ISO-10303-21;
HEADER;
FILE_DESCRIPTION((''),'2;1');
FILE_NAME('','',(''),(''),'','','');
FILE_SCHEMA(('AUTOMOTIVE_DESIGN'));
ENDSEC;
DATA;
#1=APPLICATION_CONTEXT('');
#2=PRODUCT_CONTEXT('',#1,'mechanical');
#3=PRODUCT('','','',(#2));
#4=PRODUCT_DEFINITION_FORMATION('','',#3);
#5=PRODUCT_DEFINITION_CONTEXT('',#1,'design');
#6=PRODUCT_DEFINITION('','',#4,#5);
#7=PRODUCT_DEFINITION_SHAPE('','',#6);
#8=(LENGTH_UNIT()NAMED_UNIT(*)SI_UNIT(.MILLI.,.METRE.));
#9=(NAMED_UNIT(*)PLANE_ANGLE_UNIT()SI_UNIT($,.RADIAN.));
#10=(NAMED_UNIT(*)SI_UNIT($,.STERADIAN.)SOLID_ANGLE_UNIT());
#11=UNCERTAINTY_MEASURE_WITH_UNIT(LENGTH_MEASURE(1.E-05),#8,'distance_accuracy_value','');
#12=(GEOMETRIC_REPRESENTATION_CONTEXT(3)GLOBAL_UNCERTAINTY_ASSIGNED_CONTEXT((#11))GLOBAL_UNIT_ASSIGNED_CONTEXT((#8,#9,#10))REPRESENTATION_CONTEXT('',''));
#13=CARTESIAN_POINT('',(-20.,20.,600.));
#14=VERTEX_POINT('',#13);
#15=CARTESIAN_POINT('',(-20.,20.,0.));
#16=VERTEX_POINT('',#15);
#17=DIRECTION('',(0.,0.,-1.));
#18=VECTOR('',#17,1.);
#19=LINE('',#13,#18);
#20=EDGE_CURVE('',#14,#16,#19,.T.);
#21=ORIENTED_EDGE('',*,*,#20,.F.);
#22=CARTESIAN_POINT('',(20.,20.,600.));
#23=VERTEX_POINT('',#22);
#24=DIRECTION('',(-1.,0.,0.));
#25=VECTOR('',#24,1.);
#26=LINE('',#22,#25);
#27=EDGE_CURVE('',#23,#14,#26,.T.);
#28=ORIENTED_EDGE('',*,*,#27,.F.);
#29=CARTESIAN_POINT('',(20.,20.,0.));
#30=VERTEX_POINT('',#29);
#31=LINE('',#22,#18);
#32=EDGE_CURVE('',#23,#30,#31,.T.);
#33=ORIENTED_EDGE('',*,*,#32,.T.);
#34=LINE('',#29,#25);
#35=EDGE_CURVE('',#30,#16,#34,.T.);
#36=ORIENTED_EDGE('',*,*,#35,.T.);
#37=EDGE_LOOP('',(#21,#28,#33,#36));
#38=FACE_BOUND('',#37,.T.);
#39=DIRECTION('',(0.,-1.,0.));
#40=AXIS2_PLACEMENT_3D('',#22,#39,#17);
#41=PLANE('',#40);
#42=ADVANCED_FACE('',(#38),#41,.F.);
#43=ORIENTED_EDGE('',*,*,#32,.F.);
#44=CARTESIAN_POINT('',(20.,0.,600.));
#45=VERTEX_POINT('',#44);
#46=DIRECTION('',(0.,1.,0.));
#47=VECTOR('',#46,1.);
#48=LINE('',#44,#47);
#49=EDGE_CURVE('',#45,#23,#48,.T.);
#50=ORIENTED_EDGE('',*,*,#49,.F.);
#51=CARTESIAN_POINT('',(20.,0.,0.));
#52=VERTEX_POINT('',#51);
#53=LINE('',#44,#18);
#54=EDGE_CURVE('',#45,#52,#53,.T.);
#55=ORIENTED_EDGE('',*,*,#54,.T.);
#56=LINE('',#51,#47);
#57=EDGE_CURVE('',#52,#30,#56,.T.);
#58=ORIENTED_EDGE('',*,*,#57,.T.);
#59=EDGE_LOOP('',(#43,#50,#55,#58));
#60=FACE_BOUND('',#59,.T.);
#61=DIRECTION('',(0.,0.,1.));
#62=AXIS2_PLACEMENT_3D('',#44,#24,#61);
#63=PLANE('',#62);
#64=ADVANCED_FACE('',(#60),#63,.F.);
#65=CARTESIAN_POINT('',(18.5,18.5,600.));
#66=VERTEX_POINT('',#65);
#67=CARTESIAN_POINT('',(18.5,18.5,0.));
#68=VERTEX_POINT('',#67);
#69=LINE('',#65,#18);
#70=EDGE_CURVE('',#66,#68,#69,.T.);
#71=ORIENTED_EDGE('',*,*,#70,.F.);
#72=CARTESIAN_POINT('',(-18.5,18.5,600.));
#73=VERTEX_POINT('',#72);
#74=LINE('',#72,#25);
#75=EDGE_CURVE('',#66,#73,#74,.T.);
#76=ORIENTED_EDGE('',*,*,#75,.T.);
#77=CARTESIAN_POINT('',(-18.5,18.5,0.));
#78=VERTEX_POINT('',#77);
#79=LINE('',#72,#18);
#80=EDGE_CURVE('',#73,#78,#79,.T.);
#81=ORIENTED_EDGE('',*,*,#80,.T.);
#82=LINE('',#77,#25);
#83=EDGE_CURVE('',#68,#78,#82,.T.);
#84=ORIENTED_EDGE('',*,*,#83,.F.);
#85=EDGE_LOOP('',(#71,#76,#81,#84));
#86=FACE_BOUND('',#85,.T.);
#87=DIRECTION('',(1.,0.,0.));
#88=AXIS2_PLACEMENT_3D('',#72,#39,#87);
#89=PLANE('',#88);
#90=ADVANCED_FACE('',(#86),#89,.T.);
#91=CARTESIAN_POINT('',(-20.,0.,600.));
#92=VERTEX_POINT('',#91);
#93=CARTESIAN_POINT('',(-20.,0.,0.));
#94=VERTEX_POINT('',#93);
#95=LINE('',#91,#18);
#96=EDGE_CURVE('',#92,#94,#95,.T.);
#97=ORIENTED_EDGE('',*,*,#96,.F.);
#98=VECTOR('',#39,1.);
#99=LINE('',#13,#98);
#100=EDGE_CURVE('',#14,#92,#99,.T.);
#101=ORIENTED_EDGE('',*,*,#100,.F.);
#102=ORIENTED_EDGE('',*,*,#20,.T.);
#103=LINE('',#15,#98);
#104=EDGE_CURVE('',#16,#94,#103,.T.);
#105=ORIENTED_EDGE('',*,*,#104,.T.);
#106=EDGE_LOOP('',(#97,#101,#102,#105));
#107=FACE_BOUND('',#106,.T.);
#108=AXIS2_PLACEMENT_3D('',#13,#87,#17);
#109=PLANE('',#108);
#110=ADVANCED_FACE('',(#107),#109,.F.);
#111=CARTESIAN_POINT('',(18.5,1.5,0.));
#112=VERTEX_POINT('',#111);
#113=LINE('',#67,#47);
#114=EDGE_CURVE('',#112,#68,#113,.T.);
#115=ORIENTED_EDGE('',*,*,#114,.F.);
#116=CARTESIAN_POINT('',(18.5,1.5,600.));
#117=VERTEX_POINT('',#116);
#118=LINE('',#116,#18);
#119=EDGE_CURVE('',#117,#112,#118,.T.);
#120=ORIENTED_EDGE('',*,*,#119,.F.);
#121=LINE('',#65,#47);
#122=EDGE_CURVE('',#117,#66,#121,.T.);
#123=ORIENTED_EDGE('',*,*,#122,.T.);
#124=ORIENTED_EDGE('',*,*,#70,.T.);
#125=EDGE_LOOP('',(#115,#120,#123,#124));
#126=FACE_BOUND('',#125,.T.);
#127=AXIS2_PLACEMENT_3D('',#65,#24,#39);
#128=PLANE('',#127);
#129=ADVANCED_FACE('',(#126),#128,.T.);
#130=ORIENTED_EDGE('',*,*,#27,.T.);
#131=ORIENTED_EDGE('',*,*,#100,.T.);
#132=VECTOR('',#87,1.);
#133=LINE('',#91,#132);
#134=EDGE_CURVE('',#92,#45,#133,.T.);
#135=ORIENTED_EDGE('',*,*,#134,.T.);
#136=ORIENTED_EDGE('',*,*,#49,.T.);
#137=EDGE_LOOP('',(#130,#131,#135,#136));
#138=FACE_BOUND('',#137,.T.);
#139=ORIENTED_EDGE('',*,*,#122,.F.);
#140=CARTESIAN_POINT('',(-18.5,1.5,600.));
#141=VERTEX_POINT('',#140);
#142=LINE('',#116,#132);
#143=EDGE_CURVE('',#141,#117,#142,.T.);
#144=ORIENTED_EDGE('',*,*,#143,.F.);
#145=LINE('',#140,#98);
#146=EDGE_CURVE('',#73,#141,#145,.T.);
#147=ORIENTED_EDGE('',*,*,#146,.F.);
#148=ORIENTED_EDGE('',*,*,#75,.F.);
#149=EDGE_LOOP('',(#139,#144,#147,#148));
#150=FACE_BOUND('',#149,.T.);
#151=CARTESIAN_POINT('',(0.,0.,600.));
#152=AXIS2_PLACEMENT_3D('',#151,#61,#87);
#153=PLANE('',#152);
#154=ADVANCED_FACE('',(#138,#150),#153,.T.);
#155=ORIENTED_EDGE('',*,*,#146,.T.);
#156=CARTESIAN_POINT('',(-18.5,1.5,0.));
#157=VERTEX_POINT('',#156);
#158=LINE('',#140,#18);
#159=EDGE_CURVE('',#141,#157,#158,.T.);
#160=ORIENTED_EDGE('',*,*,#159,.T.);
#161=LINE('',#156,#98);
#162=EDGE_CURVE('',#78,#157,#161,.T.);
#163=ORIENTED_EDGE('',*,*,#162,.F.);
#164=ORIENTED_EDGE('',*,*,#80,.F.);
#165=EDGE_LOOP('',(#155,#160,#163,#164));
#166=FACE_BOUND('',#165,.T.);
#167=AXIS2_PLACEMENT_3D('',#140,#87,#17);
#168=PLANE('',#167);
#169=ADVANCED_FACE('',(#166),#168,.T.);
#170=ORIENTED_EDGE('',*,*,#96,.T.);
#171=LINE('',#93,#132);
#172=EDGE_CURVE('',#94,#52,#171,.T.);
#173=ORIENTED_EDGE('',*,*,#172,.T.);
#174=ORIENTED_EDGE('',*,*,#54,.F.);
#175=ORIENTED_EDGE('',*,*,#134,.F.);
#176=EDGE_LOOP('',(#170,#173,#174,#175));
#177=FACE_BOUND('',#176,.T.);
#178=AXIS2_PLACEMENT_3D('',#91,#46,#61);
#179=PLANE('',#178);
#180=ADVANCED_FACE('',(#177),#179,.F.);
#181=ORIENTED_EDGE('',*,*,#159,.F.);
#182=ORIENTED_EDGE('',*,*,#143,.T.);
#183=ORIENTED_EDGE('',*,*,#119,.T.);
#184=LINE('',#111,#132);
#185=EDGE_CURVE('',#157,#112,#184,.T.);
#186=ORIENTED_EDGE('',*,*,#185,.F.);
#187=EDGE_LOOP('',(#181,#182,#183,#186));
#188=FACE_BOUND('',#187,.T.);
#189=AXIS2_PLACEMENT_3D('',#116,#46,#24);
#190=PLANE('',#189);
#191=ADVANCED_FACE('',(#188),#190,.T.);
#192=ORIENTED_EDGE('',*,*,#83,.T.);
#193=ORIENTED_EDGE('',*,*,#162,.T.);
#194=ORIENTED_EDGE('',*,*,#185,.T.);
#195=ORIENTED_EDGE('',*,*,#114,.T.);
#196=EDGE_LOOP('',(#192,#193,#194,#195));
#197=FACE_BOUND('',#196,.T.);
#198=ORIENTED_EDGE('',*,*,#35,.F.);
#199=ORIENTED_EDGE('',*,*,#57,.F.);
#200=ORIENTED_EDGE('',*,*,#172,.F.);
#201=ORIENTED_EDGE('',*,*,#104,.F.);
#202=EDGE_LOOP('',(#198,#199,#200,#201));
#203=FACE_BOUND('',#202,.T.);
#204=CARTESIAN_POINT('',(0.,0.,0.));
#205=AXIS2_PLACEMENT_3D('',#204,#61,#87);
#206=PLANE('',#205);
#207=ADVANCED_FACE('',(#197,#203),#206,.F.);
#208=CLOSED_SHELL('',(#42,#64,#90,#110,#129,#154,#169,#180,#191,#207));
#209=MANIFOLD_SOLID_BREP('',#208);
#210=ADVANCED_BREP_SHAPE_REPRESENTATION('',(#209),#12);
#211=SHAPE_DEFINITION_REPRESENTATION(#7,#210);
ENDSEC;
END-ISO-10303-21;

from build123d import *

# Parameters (mm, degrees)
SKETCH_1_W      = 40
SKETCH_1_H      = 20
SKETCH_1_W_2    = 37
SKETCH_1_H_2    = 17
EXTRUDE_1_DEPTH = 600


with BuildPart() as part:
    # Эскиз1 → Бобышка-Вытянуть1 (new body)
    with BuildSketch(Plane.XY):
        with Locations((0, 10)):
            Rectangle(SKETCH_1_W, SKETCH_1_H)
        with Locations((0, 10)):
            Rectangle(SKETCH_1_W_2, SKETCH_1_H_2, mode=Mode.SUBTRACT)
    extrude(amount=EXTRUDE_1_DEPTH)


solid = part.part
